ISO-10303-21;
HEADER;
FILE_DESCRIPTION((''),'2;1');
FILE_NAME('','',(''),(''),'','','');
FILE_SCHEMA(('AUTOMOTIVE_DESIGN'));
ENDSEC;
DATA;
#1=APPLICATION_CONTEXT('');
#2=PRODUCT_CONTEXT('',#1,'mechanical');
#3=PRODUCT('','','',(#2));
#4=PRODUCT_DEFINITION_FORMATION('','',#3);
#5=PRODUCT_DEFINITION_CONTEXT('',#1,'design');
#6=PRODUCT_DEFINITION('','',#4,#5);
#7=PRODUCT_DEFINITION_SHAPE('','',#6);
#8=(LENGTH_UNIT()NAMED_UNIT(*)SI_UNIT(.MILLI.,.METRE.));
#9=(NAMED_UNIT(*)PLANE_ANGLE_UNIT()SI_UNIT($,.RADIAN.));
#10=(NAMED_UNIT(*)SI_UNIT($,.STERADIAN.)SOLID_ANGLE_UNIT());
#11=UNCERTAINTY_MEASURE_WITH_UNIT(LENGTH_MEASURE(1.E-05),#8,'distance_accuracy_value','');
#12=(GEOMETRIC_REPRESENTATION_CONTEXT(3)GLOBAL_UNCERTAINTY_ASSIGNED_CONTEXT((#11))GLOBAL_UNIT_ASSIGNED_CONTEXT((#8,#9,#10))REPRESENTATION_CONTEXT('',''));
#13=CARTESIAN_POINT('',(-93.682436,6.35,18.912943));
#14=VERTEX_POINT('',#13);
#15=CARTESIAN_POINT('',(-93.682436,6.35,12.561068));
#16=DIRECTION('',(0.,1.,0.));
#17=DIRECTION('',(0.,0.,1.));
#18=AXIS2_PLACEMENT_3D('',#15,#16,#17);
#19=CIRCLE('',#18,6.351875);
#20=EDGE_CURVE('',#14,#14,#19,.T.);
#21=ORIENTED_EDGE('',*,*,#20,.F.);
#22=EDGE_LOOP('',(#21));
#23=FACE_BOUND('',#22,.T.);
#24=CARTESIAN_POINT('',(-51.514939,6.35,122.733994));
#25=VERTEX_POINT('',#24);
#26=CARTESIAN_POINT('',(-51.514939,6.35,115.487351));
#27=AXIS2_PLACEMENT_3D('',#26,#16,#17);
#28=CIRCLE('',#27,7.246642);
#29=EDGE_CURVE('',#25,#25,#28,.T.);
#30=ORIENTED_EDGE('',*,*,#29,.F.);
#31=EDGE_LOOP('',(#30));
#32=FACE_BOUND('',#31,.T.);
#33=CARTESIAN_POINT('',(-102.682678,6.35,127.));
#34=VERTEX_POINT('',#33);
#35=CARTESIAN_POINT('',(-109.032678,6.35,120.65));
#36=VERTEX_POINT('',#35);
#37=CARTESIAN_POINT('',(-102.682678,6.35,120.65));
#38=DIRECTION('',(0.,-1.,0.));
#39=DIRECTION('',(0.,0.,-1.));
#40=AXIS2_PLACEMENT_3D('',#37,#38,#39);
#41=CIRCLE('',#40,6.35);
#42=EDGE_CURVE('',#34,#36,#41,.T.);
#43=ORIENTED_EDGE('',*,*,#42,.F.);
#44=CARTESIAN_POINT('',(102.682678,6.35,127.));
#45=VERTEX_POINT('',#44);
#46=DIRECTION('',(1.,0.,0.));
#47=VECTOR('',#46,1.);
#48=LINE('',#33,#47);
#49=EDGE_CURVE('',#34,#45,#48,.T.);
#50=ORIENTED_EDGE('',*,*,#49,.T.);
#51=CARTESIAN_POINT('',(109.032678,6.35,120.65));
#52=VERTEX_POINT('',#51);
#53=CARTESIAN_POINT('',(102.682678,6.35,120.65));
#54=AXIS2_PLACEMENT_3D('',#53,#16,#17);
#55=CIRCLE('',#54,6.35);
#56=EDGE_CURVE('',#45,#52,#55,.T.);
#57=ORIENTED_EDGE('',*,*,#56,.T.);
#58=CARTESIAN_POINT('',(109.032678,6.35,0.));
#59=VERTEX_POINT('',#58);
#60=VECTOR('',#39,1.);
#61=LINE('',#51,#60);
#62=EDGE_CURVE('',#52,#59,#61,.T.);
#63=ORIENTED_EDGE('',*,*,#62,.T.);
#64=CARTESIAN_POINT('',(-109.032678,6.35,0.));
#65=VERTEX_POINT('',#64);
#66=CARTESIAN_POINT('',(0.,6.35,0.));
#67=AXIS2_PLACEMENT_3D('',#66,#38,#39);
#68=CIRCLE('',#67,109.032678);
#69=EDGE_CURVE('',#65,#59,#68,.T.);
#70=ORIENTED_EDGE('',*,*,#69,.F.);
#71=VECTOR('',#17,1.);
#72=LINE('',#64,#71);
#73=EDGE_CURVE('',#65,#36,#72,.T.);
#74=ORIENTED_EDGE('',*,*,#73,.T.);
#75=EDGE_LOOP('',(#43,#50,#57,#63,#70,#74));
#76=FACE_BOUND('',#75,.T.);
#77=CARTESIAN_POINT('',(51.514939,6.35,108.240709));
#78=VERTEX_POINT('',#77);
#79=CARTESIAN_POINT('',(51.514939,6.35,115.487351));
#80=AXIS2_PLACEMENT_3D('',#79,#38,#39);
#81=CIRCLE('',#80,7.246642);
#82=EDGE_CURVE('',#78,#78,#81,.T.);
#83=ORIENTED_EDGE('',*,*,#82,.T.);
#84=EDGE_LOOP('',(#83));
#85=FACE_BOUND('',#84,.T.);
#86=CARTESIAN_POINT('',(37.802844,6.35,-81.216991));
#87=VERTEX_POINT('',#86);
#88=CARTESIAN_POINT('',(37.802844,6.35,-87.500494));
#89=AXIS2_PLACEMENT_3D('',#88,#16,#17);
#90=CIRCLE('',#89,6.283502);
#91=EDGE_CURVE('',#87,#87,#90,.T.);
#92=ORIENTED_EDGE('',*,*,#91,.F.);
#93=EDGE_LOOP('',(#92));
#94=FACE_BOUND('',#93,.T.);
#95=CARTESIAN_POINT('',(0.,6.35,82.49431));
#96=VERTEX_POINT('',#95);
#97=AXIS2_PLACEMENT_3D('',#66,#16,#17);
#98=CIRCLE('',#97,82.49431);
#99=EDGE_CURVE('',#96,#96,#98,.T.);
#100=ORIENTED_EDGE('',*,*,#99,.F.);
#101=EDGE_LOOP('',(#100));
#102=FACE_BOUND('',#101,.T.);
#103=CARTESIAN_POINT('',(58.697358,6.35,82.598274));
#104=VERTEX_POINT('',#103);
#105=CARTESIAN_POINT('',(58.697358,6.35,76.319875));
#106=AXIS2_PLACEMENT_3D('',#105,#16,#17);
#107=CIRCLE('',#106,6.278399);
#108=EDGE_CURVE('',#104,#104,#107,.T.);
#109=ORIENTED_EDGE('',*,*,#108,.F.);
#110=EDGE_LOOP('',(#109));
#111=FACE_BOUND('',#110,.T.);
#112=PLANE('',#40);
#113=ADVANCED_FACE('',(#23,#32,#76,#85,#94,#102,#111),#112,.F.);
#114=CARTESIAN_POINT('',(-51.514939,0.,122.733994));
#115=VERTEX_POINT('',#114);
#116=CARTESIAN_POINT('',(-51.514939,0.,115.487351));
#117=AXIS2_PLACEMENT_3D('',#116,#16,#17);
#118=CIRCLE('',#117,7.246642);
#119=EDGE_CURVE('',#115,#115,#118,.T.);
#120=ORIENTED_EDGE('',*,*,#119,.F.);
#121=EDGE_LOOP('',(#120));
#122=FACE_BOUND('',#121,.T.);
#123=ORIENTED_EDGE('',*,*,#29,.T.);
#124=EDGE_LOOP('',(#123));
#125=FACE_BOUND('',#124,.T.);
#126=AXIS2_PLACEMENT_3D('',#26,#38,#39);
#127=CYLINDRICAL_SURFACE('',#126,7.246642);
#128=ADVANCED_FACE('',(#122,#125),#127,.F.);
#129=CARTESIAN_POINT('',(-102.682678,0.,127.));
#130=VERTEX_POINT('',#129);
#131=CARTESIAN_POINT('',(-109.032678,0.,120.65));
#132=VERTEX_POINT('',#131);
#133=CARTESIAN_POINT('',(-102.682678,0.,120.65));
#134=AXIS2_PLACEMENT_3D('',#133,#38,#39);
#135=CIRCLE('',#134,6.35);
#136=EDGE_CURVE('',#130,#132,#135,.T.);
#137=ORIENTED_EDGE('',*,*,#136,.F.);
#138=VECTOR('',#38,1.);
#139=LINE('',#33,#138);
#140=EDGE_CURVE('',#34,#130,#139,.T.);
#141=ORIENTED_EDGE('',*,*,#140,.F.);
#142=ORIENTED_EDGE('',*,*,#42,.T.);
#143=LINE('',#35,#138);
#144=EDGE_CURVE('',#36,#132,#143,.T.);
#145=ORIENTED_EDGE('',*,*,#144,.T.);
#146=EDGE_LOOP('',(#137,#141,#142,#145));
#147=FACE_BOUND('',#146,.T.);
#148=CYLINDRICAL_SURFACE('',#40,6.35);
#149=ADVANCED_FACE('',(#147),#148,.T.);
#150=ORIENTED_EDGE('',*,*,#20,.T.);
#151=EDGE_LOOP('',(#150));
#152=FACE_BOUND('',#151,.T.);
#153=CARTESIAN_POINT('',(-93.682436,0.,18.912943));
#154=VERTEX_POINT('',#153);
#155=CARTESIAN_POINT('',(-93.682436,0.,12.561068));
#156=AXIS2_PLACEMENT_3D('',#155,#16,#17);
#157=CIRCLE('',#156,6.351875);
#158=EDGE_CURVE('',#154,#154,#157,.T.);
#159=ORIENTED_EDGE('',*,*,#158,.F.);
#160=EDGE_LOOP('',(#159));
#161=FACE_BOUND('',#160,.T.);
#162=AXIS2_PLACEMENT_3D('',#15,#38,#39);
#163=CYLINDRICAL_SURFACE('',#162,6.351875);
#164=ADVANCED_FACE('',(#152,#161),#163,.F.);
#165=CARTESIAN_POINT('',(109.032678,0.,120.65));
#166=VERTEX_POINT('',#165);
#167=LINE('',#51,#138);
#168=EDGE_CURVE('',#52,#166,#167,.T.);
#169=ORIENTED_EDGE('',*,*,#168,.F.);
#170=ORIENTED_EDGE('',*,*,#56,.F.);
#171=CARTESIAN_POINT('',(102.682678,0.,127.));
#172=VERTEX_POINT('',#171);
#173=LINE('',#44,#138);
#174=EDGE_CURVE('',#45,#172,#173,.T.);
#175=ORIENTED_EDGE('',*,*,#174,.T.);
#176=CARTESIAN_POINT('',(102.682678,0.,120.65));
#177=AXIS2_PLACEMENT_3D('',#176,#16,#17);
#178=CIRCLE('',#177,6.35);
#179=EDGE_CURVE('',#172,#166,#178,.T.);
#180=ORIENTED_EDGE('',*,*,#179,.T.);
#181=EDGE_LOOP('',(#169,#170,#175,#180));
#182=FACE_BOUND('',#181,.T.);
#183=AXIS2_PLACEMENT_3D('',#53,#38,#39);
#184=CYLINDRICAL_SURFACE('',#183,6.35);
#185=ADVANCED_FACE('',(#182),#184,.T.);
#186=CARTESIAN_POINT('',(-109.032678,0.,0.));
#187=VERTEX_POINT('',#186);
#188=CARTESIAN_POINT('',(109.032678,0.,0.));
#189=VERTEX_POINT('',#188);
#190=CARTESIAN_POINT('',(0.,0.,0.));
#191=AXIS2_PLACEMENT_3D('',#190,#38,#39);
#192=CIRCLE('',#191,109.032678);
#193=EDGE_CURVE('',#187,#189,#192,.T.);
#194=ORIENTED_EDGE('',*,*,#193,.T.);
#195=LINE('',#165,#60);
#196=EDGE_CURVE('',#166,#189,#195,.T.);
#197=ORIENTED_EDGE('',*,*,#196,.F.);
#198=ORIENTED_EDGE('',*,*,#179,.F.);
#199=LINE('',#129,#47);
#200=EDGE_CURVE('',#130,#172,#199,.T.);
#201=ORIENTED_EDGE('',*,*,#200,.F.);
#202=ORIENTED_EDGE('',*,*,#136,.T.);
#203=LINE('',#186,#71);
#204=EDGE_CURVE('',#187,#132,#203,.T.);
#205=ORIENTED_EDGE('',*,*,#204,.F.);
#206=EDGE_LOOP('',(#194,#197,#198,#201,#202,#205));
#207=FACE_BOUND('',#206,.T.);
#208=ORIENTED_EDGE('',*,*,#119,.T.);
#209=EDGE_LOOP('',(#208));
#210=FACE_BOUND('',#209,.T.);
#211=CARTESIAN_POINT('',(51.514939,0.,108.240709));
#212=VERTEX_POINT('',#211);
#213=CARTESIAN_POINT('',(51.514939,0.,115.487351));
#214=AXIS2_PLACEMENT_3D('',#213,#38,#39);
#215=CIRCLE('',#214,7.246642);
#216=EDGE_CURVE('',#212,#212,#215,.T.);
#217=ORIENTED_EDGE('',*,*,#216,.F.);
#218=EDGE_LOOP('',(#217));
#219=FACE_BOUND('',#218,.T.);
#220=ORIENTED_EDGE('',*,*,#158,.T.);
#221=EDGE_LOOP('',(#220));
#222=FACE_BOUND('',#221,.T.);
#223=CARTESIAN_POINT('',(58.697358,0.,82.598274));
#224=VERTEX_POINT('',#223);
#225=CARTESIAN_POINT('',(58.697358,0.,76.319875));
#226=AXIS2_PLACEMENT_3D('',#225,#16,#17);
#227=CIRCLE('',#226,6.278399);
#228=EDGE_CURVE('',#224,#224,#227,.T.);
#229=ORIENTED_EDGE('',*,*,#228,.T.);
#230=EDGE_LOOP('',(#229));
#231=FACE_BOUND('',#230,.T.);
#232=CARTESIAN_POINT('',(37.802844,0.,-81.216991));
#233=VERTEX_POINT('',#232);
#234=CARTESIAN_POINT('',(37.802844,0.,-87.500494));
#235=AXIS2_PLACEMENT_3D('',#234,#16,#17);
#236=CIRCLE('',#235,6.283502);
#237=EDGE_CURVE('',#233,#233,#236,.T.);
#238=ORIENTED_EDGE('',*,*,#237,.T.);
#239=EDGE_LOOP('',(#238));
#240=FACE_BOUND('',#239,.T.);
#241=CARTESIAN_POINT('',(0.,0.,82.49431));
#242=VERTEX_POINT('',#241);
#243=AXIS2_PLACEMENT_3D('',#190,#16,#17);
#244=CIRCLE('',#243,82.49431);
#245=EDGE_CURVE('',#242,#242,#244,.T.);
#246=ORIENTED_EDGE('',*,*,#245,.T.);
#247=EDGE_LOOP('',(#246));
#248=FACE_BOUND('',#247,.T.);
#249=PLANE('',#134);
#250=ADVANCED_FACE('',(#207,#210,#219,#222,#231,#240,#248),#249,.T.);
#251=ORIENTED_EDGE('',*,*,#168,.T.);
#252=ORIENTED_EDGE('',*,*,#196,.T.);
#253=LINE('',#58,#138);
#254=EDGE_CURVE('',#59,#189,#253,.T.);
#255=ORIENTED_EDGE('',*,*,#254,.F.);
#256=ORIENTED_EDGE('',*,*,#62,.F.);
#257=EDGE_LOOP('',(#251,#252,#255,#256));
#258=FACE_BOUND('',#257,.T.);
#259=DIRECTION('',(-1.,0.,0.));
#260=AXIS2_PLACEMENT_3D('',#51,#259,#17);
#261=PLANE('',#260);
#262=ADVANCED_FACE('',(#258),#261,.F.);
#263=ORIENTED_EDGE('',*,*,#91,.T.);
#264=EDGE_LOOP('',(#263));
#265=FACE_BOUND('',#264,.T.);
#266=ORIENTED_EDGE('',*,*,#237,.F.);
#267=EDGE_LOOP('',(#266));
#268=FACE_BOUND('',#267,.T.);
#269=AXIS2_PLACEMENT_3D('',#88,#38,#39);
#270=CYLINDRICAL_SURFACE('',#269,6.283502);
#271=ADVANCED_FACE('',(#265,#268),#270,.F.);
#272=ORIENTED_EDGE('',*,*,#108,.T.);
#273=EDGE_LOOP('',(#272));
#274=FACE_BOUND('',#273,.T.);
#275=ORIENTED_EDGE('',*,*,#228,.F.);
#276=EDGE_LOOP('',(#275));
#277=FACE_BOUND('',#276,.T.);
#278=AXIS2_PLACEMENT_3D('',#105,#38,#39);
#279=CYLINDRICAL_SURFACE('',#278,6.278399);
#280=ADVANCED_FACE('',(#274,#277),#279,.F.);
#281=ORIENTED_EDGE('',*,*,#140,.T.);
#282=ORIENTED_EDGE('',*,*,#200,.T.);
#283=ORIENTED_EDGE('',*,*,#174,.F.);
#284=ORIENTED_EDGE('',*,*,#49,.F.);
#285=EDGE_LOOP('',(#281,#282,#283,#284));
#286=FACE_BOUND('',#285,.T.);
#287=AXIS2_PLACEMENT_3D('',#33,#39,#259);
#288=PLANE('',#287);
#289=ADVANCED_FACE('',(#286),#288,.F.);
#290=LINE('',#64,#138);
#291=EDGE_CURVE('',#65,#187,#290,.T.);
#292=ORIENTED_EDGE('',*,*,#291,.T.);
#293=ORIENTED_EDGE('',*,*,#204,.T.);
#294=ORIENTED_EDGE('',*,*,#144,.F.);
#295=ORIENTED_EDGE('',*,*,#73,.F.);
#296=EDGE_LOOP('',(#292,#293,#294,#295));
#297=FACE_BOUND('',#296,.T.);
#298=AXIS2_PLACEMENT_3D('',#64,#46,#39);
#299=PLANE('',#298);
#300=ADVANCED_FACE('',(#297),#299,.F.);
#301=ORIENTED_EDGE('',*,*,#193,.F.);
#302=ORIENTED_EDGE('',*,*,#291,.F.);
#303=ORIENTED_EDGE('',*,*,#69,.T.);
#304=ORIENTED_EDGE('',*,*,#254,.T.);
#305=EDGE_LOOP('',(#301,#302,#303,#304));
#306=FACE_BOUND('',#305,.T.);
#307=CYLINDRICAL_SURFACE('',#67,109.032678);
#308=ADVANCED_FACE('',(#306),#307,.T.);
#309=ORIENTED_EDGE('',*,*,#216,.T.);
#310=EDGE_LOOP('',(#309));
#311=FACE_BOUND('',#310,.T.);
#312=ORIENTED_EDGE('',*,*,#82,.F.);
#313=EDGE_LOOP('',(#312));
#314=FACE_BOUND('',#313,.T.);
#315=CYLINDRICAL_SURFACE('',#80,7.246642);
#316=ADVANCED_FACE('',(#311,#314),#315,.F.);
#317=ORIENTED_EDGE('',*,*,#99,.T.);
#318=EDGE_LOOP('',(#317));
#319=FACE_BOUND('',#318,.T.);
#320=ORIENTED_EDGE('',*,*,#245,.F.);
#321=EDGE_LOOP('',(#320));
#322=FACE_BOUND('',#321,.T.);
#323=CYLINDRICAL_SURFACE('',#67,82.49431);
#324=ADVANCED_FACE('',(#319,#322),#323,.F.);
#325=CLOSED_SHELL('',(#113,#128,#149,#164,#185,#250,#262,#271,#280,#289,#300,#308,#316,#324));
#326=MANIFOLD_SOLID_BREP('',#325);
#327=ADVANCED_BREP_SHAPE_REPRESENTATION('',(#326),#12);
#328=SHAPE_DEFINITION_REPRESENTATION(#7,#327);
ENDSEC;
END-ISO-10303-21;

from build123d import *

# Parameters (mm, degrees)
SKETCH4_R           = 82.49431047
SKETCH4_R_2         = 7.246642198
SKETCH4_R_3         = 6.35187519
SKETCH4_R_4         = 6.283502274
SKETCH4_R_5         = 6.278398691
BOSS_EXTRUDE1_DEPTH = 6.35


with BuildPart() as part:
    # Sketch4 → Boss-Extrude1 (new body)
    with BuildSketch(Plane(origin=(0, 0, 0), x_dir=(1, 0, 0), z_dir=(0, 1, 0))):
        with BuildLine():
            Line((-102.682677734, -127), (102.682677734, -127))
            ThreePointArc((102.682677734, -127), (107.172805794, -125.140128061), (109.032677734, -120.65))
            Line((109.032677734, -120.65), (109.032677734, 0))
            ThreePointArc((109.032677734, 0), (0, 109.032677734), (-109.032677734, 0))
            Line((-109.032677734, 0), (-109.032677734, -120.65))
            ThreePointArc((-109.032677734, -120.65), (-107.172805794, -125.140128061), (-102.682677734, -127))
        make_face()
        Circle(SKETCH4_R, mode=Mode.SUBTRACT)
        with Locations((-51.514938753, -115.487351309)):
            Circle(SKETCH4_R_2, mode=Mode.SUBTRACT)
        with Locations((51.514938753, -115.487351309)):
            Circle(SKETCH4_R_2, mode=Mode.SUBTRACT)
        with Locations((-93.682436309, -12.561067561)):
            Circle(SKETCH4_R_3, mode=Mode.SUBTRACT)
        with Locations((37.802843995, 87.500493595)):
            Circle(SKETCH4_R_4, mode=Mode.SUBTRACT)
        with Locations((58.697357769, -76.319875304)):
            Circle(SKETCH4_R_5, mode=Mode.SUBTRACT)
    extrude(amount=BOSS_EXTRUDE1_DEPTH)


solid = part.part
